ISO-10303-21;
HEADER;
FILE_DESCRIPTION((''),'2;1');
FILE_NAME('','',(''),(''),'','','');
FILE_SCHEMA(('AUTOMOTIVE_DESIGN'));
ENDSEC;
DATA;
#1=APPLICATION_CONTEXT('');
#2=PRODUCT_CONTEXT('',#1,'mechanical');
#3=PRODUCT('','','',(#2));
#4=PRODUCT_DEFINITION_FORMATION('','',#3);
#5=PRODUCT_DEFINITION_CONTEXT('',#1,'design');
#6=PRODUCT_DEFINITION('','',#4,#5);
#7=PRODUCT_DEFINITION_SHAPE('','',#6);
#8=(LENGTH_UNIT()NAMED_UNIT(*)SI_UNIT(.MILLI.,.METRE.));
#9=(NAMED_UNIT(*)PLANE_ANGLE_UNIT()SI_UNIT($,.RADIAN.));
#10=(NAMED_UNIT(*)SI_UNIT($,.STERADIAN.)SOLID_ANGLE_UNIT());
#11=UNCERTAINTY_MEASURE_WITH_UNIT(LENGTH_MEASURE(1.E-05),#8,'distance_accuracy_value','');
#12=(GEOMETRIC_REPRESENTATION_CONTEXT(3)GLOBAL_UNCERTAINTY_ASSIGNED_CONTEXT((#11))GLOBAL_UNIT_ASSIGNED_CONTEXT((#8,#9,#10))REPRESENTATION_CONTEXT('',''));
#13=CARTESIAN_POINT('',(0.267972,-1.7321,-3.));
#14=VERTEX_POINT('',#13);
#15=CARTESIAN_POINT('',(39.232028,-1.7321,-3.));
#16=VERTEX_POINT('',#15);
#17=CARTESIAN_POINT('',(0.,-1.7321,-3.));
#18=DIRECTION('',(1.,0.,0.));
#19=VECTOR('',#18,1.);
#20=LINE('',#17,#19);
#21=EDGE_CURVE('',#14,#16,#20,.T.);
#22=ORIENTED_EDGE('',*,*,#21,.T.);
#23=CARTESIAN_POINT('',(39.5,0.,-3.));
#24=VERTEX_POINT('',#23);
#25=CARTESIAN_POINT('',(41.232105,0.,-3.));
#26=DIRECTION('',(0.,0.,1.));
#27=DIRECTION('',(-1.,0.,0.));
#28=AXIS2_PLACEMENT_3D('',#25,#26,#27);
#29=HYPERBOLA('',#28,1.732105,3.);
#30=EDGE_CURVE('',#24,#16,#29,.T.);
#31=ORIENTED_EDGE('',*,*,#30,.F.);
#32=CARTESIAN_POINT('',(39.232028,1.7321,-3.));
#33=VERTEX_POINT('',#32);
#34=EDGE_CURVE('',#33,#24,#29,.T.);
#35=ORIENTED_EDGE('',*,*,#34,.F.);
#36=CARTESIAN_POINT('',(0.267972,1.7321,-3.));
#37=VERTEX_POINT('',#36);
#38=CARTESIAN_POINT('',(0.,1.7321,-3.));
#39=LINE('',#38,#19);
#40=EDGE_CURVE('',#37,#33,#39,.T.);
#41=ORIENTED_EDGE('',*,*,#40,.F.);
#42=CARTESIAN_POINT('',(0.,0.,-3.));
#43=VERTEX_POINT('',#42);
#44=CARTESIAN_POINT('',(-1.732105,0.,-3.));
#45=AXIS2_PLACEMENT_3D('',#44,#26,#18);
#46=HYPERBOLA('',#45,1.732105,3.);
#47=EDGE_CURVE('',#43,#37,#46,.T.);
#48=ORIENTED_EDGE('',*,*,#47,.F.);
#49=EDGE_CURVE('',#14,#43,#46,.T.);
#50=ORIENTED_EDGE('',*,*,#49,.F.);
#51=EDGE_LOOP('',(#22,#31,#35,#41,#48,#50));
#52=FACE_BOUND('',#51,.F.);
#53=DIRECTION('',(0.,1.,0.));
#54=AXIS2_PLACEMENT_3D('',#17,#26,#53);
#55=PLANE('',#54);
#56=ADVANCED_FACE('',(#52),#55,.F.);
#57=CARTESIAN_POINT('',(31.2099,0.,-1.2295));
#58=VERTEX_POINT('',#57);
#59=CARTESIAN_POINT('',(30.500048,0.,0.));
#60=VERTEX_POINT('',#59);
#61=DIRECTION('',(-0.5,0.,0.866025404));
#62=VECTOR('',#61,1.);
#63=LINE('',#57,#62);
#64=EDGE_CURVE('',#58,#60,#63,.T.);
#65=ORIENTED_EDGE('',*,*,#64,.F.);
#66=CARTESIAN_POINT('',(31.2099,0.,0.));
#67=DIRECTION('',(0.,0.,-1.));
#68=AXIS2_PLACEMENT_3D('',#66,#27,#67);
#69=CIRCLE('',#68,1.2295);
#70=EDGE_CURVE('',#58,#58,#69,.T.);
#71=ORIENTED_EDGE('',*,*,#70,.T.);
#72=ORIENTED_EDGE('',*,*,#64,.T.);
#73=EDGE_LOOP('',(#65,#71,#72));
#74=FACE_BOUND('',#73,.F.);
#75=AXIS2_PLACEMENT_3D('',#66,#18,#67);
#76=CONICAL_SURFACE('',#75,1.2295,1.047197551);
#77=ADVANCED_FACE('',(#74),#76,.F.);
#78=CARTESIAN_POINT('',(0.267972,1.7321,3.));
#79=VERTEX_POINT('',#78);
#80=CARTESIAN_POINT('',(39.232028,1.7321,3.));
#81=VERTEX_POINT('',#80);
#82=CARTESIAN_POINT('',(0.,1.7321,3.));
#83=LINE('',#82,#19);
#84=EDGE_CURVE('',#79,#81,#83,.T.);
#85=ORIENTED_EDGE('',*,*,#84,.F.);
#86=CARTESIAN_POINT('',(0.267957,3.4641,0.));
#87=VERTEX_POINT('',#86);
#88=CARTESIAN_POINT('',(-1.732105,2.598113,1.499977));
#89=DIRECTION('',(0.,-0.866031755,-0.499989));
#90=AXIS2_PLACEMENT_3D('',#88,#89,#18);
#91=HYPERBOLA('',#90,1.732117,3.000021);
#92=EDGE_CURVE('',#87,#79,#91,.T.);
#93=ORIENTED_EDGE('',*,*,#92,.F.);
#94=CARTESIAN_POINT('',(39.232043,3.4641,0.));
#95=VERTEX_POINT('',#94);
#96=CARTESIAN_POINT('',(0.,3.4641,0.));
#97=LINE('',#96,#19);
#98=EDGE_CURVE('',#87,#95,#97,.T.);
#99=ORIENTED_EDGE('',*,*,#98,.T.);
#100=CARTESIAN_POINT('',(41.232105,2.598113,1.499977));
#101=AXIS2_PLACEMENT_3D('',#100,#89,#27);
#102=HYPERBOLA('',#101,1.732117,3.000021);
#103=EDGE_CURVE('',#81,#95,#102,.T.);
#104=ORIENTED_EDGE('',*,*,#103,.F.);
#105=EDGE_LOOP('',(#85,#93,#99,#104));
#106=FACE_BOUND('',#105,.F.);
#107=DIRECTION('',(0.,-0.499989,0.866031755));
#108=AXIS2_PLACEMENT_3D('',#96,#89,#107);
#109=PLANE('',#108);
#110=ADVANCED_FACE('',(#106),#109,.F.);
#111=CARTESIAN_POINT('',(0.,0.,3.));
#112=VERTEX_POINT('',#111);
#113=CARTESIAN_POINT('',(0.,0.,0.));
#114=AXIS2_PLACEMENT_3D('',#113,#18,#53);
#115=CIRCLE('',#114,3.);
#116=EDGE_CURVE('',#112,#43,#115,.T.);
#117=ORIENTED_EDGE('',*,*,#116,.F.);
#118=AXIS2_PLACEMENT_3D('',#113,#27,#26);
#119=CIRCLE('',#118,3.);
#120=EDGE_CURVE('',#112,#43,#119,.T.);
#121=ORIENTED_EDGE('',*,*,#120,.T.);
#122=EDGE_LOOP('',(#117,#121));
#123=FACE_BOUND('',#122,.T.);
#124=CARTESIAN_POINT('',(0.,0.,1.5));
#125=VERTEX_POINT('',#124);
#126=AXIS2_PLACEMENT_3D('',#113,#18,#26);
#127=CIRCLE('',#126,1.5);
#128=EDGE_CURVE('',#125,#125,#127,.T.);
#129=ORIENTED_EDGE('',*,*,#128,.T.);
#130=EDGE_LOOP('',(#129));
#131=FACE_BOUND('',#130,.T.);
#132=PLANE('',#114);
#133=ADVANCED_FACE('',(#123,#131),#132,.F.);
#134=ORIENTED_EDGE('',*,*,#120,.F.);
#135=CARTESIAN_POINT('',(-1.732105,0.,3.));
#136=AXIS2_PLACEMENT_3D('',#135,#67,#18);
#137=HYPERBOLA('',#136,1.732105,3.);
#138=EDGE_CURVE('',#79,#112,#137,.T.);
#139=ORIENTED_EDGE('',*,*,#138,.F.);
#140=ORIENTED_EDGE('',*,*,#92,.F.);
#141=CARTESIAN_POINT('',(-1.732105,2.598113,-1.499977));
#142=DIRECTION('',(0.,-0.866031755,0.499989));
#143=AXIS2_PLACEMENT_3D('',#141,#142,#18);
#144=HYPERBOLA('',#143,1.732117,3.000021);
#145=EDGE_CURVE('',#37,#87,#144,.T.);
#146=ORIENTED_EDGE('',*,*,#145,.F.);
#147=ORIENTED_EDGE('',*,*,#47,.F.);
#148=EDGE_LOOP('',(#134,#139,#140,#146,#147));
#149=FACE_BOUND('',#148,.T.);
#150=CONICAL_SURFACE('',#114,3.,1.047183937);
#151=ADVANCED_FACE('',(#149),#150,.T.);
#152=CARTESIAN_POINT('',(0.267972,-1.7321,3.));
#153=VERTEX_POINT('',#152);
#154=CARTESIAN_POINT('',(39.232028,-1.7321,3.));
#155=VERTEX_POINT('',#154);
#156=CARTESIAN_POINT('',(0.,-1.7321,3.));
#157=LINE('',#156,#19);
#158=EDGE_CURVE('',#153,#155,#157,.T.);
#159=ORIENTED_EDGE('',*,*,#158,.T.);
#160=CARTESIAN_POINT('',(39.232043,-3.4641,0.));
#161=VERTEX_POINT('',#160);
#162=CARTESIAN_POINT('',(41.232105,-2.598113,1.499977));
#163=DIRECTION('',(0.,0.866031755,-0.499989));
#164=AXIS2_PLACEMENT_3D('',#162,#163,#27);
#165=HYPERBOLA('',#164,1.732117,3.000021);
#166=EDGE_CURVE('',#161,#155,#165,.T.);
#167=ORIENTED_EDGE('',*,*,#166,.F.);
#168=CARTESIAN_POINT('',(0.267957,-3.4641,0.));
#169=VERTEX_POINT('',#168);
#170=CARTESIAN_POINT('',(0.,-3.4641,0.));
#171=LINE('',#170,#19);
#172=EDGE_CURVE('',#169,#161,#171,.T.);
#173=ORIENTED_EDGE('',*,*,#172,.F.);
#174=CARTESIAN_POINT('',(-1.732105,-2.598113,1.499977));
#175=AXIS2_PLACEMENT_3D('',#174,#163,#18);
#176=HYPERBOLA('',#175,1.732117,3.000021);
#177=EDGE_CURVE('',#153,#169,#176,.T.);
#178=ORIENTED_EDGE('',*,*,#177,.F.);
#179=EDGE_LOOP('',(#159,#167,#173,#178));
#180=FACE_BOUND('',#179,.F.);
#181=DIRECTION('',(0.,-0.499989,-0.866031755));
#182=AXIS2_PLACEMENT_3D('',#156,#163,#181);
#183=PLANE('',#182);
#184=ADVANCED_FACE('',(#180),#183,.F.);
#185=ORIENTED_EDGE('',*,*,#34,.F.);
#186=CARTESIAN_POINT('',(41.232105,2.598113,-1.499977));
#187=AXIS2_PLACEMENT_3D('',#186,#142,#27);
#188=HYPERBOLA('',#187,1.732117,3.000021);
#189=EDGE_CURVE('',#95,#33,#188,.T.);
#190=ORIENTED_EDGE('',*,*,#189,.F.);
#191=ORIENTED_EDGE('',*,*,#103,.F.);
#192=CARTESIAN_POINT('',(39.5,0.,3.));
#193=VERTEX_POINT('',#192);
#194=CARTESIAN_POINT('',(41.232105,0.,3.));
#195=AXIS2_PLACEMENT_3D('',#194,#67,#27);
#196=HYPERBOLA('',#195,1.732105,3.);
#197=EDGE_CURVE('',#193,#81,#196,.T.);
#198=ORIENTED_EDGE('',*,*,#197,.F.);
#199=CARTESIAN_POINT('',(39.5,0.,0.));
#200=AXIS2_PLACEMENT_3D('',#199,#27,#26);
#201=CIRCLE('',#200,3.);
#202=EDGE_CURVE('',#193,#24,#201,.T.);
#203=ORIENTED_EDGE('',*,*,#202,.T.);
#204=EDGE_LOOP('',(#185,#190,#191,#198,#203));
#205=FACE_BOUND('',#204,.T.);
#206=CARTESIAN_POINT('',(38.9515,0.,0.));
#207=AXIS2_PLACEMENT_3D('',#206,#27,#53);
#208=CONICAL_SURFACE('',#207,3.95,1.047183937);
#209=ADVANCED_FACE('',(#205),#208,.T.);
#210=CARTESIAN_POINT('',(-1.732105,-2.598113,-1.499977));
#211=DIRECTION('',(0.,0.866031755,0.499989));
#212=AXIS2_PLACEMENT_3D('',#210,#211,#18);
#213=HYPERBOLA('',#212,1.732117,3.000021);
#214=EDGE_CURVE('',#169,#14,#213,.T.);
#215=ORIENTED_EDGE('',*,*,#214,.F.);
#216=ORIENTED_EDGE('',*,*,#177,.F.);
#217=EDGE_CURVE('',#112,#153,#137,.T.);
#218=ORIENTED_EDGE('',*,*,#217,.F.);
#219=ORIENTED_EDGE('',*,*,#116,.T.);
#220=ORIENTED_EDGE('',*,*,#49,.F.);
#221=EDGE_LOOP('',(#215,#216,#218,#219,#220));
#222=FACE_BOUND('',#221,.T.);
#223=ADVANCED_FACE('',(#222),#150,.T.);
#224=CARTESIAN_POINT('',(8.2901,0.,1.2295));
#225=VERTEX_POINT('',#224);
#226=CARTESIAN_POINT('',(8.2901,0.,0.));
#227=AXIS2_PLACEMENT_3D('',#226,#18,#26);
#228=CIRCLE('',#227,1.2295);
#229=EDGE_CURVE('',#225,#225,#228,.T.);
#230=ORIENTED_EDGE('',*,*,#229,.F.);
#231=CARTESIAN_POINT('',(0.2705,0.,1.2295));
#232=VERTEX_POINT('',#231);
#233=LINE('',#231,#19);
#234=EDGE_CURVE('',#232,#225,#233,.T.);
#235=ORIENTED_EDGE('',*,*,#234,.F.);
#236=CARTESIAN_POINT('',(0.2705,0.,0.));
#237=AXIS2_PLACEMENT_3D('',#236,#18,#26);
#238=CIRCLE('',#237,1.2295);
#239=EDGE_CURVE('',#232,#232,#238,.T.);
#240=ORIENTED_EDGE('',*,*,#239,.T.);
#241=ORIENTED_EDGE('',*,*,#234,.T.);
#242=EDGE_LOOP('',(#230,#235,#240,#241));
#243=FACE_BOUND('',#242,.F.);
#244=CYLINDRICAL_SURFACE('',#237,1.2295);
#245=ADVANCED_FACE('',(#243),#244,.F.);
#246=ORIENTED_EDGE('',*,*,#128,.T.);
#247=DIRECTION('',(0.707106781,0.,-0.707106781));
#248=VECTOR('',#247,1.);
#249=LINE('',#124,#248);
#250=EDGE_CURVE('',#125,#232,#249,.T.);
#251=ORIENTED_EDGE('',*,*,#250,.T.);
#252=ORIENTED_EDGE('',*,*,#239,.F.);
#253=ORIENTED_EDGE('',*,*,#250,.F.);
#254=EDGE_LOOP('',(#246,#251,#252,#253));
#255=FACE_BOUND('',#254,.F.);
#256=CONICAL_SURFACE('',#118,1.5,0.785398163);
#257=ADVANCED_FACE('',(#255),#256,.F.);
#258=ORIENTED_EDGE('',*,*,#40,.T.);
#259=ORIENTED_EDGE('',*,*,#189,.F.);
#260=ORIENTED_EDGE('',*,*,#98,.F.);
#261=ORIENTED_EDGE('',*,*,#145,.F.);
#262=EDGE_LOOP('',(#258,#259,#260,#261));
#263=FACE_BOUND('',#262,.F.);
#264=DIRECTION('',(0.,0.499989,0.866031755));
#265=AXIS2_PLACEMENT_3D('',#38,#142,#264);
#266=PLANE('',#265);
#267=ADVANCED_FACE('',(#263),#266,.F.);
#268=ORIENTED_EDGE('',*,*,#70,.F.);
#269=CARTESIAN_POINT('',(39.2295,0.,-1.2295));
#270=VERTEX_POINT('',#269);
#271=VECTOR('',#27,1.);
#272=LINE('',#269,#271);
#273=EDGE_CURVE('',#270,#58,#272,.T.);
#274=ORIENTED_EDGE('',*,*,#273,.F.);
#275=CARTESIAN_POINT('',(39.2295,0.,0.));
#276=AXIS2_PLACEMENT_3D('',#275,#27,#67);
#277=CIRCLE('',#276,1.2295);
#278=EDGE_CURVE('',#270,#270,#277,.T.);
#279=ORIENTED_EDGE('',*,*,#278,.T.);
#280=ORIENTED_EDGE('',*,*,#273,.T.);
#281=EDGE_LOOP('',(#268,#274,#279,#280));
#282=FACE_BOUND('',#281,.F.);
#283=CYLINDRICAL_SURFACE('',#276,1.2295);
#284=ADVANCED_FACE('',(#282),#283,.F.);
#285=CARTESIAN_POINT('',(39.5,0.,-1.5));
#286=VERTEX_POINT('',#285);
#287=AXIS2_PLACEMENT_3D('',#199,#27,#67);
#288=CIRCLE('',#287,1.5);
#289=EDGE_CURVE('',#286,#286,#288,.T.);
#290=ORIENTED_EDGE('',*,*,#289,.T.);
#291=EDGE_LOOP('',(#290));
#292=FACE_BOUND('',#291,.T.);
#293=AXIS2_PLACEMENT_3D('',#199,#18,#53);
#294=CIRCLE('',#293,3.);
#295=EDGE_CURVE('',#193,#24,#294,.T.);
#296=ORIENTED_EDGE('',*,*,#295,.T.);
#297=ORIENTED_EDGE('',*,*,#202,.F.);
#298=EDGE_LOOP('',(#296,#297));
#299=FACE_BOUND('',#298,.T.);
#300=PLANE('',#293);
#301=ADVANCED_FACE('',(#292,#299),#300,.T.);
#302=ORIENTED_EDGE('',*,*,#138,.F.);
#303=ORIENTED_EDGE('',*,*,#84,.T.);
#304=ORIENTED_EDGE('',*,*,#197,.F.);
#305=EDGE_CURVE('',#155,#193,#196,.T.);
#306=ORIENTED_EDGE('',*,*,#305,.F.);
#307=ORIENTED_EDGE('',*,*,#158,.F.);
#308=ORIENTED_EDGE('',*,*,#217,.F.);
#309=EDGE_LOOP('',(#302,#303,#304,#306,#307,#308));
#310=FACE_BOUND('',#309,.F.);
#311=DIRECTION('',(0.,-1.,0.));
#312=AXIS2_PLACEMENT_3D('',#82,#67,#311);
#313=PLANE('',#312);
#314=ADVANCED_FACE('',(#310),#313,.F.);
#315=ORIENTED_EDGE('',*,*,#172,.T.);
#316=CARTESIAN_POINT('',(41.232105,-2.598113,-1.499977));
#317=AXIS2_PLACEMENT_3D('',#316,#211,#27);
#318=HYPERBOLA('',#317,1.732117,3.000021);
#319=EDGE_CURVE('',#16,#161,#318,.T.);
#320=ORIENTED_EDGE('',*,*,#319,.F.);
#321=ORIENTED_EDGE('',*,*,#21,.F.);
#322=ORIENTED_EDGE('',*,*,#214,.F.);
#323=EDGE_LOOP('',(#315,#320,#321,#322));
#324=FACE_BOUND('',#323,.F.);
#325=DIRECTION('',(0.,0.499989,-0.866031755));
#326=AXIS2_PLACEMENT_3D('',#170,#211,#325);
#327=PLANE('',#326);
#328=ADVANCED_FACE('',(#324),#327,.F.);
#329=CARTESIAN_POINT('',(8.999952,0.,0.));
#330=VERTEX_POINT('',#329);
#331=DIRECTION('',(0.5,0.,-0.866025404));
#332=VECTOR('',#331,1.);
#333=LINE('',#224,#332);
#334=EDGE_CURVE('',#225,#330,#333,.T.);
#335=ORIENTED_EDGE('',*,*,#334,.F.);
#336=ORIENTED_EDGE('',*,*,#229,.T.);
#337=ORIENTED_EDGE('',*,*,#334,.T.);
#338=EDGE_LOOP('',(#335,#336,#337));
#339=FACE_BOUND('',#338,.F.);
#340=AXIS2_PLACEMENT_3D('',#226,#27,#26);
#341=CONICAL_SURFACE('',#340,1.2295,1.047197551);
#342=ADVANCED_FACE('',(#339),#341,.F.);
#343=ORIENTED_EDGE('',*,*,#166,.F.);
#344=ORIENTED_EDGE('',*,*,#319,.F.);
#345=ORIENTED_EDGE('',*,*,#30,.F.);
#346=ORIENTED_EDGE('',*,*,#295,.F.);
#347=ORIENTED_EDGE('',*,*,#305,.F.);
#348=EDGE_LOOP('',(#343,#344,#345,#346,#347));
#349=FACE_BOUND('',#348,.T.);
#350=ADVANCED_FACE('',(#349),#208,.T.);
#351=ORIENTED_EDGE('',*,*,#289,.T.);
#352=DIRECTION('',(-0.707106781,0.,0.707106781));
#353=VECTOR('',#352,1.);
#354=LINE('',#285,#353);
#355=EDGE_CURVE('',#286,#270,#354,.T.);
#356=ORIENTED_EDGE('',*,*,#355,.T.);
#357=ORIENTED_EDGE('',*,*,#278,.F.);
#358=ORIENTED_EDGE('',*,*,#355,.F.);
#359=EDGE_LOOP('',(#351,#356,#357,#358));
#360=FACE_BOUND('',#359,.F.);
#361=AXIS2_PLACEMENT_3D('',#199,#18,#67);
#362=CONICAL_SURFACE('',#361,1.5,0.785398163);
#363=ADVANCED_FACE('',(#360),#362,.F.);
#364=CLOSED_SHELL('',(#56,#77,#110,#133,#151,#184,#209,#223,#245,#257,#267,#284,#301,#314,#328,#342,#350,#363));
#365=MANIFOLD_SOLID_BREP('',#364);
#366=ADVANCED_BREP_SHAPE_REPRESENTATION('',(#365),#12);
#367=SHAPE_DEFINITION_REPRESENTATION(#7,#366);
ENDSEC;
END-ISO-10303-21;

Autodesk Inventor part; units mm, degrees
sketch "Sketch_1" plane through (0, 0, 0) normal (0, 0, 1) x (1, 0, 0)
  line L0 (39.5, 0) -> (0, 0)
  line L1 (0, 0) -> (0, 3)
  line L2 (0, 3) -> (0.5485, 3.95)
  line L3 (0.5485, 3.95) -> (38.9515, 3.95)
  line L4 (38.9515, 3.95) -> (39.5, 3)
  line L5 (39.5, 3) -> (39.5, 0)
  line L6 (39.5, 0) -> (0, 0)
revolve "Revolution1" add sketch "Sketch_1" angle 360 about axis through (39.5, 0, 0) along (1, 0, 0)
sketch "Sketch_2" plane through (0, 0, 0) normal (1, 0, 0) x (0, 1, 0)
  line L0 (6, 6) -> (-6, 6)
  line L1 (-6, 6) -> (-6, -6)
  line L2 (-6, -6) -> (6, -6)
  line L3 (6, -6) -> (6, 6)
  line L4 (-1.7321, 3) -> (-3.4641, 0)
  line L5 (-3.4641, 0) -> (-1.7321, -3)
  line L6 (-1.7321, -3) -> (1.7321, -3)
  line L7 (1.7321, -3) -> (3.4641, 0)
  line L8 (3.4641, 0) -> (1.7321, 3)
  line L9 (1.7321, 3) -> (-1.7321, 3)
extrude "Extrusion1" cut sketch "Sketch_2" along normal blind 39.5
sketch "Sketch3" plane through (0, 0, 0) normal (-1, 0, 0) x (0, 0, 1)
  point P0 (0, 0)
hole "Hole1" at (0, 0, 0) direction (1, 0, 0) diameter 2.459 depth 8.2901 tip angle 120 countersink diameter 3 countersink angle 90 thread size "M3x0.5" class "6H" standard "ISO Metric profile"
sketch "Sketch4" plane through (39.5, 0, 0) normal (1, 0, 0) x (0, 0, -1)
  point P0 (0, 0)
hole "Hole2" at (39.5, 0, 0) direction (-1, 0, 0) diameter 2.459 depth 8.2901 tip angle 120 countersink diameter 3 countersink angle 90 thread size "M3x0.5" class "6H" standard "ISO Metric profile"
ref_plane "C3_XY" through (39.5, 0, 0) normal (-1, 0, 0) x (0, 0, -1)
ref_plane "C3_YZ" through (39.5, 0, 0) normal (0, 0, -1) x (0, -1, 0)
ref_plane "C3_ZX" through (39.5, 0, 0) normal (0, -1, 0) x (-1, 0, 0)
properties part number "SLSBF6-39.5-M3-N3"
